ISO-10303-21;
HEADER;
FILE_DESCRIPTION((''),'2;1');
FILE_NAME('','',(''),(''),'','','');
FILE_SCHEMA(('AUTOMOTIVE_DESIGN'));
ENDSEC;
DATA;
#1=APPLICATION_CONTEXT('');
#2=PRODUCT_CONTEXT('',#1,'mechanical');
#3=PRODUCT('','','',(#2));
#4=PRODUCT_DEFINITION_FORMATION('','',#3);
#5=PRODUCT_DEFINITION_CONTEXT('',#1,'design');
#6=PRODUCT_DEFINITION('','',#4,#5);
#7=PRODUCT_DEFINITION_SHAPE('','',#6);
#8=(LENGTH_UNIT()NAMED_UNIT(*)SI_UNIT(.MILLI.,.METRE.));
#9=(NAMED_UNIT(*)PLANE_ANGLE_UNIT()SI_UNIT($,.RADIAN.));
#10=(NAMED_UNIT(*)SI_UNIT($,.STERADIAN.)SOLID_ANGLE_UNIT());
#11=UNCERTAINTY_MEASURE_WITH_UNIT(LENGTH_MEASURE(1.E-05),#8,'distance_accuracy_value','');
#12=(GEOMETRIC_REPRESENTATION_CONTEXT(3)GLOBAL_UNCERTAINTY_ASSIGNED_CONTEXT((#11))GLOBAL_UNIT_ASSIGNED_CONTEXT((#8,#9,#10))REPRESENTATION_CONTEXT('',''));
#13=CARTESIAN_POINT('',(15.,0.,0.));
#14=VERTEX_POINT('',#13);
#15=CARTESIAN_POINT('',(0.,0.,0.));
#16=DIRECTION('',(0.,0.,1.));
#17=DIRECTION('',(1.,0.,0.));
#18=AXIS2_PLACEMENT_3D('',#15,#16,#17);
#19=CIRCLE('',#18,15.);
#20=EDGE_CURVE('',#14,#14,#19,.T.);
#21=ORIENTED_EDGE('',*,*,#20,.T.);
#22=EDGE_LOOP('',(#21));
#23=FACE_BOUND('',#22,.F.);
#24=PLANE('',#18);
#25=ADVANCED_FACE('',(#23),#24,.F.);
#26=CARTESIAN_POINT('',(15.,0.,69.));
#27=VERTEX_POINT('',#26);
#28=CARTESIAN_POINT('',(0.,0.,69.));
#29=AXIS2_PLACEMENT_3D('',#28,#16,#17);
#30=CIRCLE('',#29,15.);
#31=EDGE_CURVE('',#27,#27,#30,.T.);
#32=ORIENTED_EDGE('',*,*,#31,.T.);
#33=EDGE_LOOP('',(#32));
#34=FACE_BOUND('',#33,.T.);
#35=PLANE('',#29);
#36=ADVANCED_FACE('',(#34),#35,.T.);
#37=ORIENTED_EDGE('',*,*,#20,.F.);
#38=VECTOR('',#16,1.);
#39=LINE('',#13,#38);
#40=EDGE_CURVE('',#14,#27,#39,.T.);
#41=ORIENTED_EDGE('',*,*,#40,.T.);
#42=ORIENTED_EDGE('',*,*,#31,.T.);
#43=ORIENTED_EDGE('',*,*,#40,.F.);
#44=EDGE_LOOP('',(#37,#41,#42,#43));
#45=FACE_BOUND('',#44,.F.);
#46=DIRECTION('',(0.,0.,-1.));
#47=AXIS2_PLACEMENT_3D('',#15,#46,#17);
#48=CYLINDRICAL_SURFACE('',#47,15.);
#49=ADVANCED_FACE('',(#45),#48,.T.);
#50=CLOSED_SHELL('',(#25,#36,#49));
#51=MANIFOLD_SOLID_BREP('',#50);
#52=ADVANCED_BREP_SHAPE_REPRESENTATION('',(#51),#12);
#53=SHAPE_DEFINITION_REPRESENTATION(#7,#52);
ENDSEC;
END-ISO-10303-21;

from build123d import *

# Parameters (mm, degrees)
SKETCH_R  = 15
PAD_DEPTH = 69


with BuildPart() as part:
    # Sketch → Pad (new body)
    with BuildSketch(Plane.XY):
        Circle(SKETCH_R)
    extrude(amount=PAD_DEPTH)


solid = part.part
